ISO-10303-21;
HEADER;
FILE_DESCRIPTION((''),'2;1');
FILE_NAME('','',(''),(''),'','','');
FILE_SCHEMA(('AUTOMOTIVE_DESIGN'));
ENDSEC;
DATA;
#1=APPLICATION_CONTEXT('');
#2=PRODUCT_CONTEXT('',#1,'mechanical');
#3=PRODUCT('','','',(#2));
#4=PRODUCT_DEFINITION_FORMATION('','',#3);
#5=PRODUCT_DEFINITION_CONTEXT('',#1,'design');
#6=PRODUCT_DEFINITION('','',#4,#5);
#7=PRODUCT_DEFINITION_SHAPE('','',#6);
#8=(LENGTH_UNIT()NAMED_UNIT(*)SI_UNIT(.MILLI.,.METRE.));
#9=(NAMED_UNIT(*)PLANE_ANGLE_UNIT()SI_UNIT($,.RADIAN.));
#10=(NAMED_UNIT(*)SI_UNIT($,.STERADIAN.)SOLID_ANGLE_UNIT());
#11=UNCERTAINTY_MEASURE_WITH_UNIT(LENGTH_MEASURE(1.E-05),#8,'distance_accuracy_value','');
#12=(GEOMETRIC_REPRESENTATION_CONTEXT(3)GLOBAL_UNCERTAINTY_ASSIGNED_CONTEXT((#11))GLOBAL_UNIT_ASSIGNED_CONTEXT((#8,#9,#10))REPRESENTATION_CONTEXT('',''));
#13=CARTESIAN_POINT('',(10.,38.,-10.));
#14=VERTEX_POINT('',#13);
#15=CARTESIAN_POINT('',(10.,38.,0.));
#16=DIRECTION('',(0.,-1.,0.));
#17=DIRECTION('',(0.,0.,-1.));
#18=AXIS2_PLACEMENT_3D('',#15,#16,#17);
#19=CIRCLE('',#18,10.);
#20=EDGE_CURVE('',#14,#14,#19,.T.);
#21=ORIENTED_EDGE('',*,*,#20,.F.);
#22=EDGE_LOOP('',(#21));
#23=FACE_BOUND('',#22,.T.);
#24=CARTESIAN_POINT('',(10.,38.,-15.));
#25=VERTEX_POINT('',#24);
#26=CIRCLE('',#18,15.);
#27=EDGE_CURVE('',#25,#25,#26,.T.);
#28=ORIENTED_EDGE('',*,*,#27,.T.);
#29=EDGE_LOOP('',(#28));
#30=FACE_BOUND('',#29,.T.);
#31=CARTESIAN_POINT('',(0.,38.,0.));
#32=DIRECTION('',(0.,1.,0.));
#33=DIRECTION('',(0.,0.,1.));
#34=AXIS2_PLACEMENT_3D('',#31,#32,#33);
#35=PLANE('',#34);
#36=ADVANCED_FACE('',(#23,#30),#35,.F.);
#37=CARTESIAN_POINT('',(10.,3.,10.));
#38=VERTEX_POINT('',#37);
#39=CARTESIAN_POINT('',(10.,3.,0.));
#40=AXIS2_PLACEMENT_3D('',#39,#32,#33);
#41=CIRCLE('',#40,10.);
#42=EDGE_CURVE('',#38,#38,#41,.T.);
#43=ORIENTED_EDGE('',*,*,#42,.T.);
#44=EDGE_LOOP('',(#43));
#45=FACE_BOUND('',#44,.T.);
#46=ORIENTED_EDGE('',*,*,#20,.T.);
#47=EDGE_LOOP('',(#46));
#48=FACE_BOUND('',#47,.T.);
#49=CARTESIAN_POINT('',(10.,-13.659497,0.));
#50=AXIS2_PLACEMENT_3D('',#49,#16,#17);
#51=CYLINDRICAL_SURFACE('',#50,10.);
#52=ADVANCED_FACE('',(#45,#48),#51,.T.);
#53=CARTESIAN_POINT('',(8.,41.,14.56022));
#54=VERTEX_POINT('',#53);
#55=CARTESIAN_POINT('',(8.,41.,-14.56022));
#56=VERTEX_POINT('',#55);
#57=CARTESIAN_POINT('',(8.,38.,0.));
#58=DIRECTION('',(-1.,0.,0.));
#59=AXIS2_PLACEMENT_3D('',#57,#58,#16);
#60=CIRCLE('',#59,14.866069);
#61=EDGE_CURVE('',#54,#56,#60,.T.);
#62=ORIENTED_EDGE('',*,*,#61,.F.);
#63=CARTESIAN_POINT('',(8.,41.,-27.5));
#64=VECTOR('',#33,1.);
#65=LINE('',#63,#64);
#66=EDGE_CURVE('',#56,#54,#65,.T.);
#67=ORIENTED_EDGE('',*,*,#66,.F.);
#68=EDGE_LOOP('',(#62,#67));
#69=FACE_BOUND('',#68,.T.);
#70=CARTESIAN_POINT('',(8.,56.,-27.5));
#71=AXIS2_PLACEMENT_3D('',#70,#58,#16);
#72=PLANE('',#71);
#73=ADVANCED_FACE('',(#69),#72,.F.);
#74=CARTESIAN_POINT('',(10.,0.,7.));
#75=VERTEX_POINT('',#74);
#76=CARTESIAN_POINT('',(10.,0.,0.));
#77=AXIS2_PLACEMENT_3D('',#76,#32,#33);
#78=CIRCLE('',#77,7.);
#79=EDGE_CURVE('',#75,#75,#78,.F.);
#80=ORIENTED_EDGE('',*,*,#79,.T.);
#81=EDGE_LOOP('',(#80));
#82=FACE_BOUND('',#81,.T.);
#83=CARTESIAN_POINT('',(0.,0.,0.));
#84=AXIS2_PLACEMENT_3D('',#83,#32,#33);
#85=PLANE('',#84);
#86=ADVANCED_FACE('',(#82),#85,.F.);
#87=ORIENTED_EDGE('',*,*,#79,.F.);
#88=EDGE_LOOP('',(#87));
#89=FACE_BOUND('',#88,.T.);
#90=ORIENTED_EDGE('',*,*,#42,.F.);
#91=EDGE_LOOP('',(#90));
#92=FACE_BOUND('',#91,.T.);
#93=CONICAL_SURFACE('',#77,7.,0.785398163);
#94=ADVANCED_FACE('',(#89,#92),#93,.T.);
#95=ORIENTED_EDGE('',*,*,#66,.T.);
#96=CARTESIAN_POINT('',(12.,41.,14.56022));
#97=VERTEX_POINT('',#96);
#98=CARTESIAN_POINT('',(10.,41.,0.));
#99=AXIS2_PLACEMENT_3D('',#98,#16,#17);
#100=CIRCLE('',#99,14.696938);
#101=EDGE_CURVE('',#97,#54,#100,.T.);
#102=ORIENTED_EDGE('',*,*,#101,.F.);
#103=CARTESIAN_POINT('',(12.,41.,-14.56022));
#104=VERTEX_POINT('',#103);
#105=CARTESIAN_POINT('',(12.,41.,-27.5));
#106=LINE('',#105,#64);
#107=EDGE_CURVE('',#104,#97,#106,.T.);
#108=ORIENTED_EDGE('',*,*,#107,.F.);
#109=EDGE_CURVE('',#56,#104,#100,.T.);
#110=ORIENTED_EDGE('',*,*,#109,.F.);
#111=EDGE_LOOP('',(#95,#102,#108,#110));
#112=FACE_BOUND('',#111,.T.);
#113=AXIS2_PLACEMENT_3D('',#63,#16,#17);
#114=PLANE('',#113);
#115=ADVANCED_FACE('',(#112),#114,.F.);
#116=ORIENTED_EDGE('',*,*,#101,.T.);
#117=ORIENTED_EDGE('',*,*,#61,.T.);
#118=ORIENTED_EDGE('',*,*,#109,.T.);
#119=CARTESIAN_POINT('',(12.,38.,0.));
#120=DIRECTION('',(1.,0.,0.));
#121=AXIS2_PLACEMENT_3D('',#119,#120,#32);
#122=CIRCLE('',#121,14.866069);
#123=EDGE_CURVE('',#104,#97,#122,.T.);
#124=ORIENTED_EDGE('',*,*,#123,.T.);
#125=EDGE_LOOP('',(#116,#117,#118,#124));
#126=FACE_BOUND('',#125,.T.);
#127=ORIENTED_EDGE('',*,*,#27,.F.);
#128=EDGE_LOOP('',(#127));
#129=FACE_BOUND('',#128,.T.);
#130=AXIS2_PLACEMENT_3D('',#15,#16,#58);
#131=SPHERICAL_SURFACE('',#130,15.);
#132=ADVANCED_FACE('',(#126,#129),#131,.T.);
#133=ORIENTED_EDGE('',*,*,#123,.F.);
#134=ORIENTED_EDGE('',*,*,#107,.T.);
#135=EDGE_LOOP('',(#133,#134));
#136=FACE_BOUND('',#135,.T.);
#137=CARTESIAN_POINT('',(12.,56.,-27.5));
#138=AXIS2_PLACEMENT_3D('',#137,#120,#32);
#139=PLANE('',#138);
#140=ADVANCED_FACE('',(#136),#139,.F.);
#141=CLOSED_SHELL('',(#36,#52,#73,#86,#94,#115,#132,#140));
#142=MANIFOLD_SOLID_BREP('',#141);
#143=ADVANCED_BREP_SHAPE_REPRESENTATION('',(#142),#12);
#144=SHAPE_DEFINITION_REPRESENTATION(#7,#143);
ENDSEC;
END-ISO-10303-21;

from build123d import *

# Parameters (mm, degrees)
SKETCH6_W          = 4
SKETCH6_H          = 15
CUT_EXTRUDE1_DEPTH = 27.5
CHAMFER1_SIZE      = 3


with BuildPart() as part:
    # Sketch4 → Revolve1 (revolve)
    with BuildSketch(Plane.XY):
        with BuildLine():
            Line((0, 0), (10, 0))
            Line((10, 0), (10, 53))
            ThreePointArc((10, 53), (-0.606601718, 48.606601718), (-5, 38))
            Line((-5, 38), (0, 38))
            Line((0, 38), (0, 0))
        make_face()
    revolve(axis=Axis((10, -13.659497016, 0), (0, 1, 0)))

    # Sketch6 → Cut-Extrude1 (cut, symmetric)
    with BuildSketch(Plane.XY):
        with Locations((10, 48.5)):
            Rectangle(SKETCH6_W, SKETCH6_H)
    extrude(amount=CUT_EXTRUDE1_DEPTH, both=True, mode=Mode.SUBTRACT)

    # Chamfer1
    chamfer1_edges = [part.edges().sort_by_distance(p)[0] for p in [
        (20, 0, 0),
    ]]
    chamfer(chamfer1_edges, length=CHAMFER1_SIZE)


solid = part.part
